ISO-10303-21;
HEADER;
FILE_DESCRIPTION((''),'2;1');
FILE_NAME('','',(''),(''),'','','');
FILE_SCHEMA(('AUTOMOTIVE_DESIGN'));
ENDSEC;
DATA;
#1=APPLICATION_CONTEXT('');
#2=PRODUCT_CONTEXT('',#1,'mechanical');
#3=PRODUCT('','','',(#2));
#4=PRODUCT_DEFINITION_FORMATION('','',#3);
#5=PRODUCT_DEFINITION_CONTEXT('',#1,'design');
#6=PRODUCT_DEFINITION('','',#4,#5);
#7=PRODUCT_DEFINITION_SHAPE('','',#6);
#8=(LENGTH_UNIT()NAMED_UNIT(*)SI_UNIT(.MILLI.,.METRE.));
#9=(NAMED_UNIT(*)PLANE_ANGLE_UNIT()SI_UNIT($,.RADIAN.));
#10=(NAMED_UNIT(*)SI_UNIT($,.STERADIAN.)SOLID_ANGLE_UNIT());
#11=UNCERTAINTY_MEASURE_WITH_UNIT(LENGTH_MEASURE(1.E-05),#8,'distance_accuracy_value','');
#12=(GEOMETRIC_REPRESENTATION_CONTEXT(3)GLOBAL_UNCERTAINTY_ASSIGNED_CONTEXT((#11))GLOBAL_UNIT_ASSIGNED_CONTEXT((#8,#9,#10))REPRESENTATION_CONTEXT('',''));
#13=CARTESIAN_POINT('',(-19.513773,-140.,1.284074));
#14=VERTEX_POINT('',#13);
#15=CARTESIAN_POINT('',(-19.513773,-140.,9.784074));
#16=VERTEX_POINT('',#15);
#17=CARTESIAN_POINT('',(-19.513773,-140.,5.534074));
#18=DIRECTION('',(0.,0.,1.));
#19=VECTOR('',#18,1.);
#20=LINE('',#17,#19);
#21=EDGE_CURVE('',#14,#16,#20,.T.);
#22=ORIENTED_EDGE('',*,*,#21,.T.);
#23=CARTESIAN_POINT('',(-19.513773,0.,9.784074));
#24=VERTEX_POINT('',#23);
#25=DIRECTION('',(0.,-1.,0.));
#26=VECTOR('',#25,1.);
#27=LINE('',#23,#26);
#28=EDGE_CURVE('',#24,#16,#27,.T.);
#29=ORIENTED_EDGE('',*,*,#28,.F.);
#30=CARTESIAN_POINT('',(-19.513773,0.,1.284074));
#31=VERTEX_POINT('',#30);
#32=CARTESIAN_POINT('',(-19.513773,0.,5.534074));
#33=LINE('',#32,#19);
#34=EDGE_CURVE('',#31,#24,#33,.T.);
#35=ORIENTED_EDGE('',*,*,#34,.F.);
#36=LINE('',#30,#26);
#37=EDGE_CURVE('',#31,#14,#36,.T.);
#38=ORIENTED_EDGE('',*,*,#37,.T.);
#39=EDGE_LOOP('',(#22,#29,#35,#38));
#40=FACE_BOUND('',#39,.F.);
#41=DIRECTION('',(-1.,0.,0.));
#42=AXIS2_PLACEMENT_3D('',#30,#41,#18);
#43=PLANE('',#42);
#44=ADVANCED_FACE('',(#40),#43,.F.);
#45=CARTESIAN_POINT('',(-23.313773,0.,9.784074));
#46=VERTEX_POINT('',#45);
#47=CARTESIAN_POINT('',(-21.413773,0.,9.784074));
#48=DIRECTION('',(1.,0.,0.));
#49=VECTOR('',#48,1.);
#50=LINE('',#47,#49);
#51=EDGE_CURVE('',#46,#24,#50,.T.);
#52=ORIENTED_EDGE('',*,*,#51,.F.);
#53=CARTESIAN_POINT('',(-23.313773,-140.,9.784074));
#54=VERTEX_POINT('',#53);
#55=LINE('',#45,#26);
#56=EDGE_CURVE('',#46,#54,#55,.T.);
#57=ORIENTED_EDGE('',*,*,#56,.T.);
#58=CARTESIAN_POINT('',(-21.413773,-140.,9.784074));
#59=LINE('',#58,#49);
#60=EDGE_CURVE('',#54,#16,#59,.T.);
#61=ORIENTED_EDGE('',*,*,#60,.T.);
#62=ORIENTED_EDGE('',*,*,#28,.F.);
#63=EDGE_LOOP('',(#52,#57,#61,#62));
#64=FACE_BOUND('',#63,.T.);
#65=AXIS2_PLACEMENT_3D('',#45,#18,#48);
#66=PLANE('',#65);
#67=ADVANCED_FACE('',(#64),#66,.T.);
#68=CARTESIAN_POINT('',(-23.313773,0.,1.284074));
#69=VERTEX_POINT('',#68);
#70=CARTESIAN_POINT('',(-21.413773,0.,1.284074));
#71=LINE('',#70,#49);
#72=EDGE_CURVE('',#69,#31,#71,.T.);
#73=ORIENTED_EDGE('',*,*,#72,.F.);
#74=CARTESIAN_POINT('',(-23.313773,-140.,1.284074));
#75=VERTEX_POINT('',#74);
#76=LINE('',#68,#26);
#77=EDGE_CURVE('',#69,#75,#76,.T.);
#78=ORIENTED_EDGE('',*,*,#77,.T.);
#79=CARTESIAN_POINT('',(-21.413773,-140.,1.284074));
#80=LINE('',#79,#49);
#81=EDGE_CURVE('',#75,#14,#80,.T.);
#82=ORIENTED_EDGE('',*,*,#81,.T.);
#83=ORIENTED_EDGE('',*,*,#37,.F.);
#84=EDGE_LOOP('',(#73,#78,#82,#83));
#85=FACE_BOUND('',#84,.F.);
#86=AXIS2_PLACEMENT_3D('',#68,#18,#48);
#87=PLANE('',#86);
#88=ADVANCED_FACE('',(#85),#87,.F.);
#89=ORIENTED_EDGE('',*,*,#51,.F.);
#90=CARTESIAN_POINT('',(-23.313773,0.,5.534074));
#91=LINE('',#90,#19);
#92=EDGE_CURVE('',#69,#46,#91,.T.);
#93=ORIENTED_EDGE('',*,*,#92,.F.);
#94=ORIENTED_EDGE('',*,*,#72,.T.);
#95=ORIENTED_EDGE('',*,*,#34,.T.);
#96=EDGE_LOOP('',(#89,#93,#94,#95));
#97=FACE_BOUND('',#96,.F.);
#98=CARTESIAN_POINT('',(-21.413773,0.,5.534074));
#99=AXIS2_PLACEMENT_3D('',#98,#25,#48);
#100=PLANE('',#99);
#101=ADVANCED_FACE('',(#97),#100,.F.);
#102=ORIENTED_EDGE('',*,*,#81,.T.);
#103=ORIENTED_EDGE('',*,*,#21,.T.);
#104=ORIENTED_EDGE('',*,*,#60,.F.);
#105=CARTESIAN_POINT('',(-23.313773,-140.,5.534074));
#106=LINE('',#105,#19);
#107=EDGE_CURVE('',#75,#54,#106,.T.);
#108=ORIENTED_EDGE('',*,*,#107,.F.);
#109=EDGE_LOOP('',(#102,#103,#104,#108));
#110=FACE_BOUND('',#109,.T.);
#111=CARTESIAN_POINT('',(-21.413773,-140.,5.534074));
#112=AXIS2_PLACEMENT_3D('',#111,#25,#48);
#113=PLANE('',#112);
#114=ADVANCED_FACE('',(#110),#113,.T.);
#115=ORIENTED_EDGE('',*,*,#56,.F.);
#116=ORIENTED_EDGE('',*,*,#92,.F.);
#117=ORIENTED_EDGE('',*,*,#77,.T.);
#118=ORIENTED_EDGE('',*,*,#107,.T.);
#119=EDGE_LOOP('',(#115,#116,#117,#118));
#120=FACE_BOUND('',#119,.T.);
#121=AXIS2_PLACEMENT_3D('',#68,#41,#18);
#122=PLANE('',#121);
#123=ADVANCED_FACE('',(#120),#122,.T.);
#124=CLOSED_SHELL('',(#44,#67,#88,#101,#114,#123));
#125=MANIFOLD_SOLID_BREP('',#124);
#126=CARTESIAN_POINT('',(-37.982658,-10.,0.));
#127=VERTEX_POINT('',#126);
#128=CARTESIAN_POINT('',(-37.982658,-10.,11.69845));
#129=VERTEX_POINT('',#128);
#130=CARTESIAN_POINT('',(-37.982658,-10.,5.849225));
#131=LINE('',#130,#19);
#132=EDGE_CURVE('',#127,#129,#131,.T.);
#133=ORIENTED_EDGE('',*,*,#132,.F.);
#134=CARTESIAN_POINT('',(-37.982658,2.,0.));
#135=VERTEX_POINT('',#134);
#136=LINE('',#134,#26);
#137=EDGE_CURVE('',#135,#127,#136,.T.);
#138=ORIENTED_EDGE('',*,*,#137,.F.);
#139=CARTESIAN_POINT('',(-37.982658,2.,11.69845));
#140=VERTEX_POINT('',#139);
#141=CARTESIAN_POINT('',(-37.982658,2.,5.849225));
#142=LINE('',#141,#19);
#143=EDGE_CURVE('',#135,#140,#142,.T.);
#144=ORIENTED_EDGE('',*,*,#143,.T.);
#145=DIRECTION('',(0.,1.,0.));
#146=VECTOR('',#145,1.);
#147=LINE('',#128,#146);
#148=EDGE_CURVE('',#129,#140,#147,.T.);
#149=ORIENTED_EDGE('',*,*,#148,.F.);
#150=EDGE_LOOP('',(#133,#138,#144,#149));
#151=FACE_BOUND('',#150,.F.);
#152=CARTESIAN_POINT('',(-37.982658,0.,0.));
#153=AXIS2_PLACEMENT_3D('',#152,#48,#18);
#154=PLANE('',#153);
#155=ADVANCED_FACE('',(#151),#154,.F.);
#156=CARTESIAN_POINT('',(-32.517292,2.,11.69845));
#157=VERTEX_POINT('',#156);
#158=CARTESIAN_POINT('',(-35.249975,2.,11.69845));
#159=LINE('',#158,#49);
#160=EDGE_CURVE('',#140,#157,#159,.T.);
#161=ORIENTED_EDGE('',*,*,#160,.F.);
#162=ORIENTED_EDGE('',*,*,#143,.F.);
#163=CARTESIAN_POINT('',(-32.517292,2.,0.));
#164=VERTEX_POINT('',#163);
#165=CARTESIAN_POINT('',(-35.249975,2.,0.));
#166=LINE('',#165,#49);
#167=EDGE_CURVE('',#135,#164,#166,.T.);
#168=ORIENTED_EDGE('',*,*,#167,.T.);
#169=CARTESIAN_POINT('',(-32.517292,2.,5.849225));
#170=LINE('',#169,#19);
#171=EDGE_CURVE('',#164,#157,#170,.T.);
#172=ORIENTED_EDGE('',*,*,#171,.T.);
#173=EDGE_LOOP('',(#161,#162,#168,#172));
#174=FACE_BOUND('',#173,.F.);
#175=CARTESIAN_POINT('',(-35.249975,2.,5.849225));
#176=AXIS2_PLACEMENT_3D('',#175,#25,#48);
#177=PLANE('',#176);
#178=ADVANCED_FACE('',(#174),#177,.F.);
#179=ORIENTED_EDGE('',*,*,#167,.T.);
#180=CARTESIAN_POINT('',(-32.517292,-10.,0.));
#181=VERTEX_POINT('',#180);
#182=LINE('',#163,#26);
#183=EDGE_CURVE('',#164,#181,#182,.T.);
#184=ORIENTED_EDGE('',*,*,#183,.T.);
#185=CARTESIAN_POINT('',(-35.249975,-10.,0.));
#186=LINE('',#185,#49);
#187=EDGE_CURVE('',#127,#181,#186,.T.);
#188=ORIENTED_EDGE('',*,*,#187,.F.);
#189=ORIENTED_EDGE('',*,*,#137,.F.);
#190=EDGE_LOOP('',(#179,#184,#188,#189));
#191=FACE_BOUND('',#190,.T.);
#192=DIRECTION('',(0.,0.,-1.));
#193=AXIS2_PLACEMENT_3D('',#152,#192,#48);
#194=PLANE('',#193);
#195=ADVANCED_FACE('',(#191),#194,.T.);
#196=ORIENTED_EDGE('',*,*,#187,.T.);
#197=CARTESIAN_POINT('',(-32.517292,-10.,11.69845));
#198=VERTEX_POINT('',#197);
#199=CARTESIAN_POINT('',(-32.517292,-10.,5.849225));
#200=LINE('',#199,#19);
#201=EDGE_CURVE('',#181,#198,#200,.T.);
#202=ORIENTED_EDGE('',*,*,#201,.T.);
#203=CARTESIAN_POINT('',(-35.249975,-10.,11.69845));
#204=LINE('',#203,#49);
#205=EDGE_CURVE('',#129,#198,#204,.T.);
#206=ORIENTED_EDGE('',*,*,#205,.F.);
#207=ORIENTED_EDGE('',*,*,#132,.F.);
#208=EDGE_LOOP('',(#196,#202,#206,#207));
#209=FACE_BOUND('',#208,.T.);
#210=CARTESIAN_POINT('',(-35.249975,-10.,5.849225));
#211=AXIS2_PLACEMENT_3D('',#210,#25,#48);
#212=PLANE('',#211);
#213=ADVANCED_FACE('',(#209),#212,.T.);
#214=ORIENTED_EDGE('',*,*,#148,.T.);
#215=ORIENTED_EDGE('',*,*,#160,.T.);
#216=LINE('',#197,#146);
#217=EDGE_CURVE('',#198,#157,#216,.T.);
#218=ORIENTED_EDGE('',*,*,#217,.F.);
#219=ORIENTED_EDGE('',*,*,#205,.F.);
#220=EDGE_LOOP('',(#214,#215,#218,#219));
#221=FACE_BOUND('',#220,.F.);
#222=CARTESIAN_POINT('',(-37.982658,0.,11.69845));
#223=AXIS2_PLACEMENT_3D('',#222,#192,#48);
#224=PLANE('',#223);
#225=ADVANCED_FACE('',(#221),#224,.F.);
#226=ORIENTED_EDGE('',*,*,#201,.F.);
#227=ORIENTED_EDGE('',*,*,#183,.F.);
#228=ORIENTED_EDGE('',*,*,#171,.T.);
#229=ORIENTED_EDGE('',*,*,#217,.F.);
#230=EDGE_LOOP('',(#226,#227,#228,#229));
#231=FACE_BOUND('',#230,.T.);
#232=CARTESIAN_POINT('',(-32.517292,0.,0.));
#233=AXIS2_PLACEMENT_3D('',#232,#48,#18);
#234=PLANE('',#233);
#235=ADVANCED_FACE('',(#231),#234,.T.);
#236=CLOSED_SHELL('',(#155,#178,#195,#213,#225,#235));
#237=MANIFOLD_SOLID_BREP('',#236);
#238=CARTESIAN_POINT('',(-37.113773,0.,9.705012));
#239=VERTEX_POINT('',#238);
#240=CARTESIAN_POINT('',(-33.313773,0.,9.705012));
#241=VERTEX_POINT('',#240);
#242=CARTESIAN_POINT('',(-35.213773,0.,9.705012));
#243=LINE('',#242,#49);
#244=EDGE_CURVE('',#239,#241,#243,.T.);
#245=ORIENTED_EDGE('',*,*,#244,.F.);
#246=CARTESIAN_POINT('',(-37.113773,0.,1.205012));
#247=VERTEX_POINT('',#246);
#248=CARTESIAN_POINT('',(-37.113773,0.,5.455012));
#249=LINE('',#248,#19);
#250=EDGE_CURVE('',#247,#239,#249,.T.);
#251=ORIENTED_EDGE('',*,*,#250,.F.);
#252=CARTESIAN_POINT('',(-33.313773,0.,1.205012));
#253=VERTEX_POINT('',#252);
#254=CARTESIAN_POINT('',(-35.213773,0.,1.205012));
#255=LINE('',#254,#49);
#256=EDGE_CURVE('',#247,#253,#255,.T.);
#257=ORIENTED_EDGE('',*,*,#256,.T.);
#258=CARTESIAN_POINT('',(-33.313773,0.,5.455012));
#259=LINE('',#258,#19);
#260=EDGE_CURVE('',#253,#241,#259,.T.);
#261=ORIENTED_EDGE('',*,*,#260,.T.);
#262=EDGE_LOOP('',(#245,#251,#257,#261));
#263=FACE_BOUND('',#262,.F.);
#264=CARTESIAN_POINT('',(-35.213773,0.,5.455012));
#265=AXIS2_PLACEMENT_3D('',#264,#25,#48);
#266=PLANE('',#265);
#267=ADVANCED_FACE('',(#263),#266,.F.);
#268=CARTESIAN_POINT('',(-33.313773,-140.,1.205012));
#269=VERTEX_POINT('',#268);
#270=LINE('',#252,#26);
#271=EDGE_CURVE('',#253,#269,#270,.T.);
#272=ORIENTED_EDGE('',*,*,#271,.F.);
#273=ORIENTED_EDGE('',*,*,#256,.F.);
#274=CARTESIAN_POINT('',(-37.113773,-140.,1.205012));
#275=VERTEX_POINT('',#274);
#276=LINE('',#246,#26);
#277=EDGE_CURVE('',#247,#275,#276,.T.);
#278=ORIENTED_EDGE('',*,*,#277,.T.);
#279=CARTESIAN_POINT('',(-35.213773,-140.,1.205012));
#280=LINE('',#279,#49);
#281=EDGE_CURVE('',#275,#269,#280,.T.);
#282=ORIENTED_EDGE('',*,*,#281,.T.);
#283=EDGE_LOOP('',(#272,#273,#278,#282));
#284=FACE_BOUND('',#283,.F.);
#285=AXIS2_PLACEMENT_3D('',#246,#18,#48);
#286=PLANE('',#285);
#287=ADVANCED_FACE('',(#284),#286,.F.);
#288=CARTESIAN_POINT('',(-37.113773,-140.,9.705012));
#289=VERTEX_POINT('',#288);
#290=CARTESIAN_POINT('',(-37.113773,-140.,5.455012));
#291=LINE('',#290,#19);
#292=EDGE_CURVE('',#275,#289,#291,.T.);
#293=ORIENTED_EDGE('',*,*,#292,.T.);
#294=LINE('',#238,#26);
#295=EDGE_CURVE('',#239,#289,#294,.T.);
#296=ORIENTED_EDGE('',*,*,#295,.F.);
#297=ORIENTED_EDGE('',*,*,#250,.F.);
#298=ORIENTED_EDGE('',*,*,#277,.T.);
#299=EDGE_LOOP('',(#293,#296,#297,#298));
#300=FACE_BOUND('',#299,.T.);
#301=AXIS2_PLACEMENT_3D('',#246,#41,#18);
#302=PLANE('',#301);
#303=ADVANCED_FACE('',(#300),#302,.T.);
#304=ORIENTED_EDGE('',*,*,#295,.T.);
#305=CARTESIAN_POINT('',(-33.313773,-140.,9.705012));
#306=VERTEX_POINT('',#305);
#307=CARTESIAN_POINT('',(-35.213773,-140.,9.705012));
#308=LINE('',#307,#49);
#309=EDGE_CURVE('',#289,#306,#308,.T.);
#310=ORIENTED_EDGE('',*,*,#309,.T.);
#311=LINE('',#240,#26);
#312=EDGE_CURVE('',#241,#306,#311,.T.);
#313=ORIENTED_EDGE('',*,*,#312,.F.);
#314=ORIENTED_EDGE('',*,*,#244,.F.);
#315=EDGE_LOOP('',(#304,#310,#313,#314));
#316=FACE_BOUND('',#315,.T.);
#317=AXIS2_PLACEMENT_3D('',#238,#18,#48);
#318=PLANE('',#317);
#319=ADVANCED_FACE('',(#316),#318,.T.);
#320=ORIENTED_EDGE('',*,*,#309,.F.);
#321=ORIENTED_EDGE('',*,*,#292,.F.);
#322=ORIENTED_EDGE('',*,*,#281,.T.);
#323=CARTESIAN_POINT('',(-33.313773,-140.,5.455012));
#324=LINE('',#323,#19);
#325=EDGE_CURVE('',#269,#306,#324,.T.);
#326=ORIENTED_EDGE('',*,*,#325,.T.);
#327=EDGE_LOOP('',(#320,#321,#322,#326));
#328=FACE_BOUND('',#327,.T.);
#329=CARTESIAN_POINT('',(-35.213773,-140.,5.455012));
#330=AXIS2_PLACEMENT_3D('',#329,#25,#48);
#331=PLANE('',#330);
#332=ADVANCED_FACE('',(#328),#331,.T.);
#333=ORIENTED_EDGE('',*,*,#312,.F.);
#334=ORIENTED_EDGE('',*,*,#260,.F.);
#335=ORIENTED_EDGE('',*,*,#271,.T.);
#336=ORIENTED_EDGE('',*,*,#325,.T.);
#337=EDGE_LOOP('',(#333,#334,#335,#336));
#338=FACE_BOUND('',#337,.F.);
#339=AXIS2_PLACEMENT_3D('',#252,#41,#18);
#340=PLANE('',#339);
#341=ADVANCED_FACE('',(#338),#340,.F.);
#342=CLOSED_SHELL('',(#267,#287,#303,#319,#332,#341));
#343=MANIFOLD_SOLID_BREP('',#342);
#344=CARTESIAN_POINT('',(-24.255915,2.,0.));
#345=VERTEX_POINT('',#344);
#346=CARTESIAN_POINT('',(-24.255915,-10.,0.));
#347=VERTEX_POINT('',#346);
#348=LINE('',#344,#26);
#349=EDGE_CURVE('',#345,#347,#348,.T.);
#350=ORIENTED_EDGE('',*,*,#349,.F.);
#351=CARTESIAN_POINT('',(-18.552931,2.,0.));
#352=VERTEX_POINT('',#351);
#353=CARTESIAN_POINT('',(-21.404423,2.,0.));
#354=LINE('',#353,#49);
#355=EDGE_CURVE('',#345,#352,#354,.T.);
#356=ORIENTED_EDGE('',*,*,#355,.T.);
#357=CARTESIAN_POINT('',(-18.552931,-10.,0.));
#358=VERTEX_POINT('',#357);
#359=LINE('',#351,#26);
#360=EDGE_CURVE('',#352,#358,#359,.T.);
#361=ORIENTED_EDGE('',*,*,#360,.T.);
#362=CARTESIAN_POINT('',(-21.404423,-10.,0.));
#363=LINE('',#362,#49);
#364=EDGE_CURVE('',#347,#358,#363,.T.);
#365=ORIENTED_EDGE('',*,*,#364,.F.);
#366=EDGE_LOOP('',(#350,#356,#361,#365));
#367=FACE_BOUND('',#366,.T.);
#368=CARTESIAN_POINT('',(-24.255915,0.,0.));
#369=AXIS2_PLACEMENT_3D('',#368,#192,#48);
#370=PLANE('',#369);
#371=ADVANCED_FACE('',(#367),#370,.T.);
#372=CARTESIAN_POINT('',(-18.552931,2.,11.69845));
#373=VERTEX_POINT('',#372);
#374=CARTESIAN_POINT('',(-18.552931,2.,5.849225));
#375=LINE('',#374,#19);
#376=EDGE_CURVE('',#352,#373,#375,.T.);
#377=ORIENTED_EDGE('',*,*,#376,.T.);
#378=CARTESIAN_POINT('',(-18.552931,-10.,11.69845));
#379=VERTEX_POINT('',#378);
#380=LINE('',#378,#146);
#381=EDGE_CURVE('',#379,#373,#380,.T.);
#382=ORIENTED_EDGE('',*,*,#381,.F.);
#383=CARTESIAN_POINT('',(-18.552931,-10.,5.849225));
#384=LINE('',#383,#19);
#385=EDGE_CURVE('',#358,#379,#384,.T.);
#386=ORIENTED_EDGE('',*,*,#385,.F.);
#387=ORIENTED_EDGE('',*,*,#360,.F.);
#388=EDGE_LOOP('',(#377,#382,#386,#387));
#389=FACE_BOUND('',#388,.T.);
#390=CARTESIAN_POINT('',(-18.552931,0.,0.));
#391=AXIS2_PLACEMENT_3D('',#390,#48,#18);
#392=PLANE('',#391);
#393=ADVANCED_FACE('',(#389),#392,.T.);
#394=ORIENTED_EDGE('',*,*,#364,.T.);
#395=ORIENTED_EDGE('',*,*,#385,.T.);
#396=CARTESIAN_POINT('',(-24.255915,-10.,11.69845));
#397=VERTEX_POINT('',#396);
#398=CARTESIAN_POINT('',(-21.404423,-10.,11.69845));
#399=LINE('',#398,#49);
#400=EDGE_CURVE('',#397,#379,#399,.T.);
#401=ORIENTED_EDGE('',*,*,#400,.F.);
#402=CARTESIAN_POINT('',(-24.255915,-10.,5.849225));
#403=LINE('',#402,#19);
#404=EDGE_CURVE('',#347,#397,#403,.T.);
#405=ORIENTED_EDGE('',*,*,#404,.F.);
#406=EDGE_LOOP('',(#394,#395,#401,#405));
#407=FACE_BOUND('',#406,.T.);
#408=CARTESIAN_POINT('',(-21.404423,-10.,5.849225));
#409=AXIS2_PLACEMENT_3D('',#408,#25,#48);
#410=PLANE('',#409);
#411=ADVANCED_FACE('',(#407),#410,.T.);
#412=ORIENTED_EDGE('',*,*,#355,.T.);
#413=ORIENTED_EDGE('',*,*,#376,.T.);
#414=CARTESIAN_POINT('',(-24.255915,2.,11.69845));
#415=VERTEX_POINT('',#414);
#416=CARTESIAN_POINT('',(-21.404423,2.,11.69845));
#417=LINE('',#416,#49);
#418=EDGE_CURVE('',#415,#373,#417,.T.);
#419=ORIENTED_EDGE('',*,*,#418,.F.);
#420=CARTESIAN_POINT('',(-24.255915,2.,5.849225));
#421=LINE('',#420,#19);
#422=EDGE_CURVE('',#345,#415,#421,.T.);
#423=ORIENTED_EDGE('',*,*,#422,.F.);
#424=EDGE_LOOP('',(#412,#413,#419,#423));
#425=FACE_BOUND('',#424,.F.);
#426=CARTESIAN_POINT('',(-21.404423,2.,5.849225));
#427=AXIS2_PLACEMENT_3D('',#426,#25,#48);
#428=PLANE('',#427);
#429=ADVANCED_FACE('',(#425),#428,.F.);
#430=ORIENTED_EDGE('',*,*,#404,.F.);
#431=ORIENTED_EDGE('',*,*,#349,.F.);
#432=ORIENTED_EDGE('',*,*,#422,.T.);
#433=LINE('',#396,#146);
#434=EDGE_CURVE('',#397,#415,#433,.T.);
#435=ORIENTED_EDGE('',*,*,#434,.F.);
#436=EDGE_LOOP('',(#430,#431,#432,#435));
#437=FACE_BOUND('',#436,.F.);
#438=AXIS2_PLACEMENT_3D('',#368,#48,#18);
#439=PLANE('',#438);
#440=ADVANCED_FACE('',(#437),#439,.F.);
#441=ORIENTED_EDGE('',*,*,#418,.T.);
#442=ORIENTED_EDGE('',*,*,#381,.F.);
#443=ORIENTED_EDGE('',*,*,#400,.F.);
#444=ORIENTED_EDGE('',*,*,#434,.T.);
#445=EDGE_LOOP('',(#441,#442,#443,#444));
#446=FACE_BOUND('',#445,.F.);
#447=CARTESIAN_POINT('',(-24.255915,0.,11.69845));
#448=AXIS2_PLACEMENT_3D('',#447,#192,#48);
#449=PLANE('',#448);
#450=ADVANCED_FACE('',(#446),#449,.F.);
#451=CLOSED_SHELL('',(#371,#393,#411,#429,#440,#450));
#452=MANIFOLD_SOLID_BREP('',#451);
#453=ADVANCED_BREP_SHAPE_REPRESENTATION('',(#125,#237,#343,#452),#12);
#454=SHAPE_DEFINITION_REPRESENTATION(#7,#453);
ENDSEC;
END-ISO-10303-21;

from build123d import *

# Parameters (mm, degrees)
F0_W          = 3.8
F0_H          = 8.5
F1_DEPTH      = 140
F2_W          = 5.465366
F2_H          = 11.69845
F2_W_2        = 5.702984
F3_DEPTH      = 10
F3_DEPTH_BACK = 2


with BuildPart() as f1:
    # F0 (on Front) → F1 (new body)
    with BuildSketch(Plane.XZ):
        with Locations((-35.213773, 5.455012)):
            Rectangle(F0_W, F0_H)
        with Locations((-21.413773, 5.534074)):
            Rectangle(F0_W, F0_H)
    extrude(amount=F1_DEPTH)


with BuildPart() as f3:
    # F2 (on Front) → F3 (new body, two sides)
    with BuildSketch(Plane.XZ) as f3_sk:
        with Locations((-35.249975, 5.849225)):
            Rectangle(F2_W, F2_H)
        with Locations((-21.404423, 5.849225)):
            Rectangle(F2_W_2, F2_H)
    extrude(amount=F3_DEPTH)
    extrude(f3_sk.sketch, amount=-F3_DEPTH_BACK)


solid = Compound([f1.part, f3.part])
